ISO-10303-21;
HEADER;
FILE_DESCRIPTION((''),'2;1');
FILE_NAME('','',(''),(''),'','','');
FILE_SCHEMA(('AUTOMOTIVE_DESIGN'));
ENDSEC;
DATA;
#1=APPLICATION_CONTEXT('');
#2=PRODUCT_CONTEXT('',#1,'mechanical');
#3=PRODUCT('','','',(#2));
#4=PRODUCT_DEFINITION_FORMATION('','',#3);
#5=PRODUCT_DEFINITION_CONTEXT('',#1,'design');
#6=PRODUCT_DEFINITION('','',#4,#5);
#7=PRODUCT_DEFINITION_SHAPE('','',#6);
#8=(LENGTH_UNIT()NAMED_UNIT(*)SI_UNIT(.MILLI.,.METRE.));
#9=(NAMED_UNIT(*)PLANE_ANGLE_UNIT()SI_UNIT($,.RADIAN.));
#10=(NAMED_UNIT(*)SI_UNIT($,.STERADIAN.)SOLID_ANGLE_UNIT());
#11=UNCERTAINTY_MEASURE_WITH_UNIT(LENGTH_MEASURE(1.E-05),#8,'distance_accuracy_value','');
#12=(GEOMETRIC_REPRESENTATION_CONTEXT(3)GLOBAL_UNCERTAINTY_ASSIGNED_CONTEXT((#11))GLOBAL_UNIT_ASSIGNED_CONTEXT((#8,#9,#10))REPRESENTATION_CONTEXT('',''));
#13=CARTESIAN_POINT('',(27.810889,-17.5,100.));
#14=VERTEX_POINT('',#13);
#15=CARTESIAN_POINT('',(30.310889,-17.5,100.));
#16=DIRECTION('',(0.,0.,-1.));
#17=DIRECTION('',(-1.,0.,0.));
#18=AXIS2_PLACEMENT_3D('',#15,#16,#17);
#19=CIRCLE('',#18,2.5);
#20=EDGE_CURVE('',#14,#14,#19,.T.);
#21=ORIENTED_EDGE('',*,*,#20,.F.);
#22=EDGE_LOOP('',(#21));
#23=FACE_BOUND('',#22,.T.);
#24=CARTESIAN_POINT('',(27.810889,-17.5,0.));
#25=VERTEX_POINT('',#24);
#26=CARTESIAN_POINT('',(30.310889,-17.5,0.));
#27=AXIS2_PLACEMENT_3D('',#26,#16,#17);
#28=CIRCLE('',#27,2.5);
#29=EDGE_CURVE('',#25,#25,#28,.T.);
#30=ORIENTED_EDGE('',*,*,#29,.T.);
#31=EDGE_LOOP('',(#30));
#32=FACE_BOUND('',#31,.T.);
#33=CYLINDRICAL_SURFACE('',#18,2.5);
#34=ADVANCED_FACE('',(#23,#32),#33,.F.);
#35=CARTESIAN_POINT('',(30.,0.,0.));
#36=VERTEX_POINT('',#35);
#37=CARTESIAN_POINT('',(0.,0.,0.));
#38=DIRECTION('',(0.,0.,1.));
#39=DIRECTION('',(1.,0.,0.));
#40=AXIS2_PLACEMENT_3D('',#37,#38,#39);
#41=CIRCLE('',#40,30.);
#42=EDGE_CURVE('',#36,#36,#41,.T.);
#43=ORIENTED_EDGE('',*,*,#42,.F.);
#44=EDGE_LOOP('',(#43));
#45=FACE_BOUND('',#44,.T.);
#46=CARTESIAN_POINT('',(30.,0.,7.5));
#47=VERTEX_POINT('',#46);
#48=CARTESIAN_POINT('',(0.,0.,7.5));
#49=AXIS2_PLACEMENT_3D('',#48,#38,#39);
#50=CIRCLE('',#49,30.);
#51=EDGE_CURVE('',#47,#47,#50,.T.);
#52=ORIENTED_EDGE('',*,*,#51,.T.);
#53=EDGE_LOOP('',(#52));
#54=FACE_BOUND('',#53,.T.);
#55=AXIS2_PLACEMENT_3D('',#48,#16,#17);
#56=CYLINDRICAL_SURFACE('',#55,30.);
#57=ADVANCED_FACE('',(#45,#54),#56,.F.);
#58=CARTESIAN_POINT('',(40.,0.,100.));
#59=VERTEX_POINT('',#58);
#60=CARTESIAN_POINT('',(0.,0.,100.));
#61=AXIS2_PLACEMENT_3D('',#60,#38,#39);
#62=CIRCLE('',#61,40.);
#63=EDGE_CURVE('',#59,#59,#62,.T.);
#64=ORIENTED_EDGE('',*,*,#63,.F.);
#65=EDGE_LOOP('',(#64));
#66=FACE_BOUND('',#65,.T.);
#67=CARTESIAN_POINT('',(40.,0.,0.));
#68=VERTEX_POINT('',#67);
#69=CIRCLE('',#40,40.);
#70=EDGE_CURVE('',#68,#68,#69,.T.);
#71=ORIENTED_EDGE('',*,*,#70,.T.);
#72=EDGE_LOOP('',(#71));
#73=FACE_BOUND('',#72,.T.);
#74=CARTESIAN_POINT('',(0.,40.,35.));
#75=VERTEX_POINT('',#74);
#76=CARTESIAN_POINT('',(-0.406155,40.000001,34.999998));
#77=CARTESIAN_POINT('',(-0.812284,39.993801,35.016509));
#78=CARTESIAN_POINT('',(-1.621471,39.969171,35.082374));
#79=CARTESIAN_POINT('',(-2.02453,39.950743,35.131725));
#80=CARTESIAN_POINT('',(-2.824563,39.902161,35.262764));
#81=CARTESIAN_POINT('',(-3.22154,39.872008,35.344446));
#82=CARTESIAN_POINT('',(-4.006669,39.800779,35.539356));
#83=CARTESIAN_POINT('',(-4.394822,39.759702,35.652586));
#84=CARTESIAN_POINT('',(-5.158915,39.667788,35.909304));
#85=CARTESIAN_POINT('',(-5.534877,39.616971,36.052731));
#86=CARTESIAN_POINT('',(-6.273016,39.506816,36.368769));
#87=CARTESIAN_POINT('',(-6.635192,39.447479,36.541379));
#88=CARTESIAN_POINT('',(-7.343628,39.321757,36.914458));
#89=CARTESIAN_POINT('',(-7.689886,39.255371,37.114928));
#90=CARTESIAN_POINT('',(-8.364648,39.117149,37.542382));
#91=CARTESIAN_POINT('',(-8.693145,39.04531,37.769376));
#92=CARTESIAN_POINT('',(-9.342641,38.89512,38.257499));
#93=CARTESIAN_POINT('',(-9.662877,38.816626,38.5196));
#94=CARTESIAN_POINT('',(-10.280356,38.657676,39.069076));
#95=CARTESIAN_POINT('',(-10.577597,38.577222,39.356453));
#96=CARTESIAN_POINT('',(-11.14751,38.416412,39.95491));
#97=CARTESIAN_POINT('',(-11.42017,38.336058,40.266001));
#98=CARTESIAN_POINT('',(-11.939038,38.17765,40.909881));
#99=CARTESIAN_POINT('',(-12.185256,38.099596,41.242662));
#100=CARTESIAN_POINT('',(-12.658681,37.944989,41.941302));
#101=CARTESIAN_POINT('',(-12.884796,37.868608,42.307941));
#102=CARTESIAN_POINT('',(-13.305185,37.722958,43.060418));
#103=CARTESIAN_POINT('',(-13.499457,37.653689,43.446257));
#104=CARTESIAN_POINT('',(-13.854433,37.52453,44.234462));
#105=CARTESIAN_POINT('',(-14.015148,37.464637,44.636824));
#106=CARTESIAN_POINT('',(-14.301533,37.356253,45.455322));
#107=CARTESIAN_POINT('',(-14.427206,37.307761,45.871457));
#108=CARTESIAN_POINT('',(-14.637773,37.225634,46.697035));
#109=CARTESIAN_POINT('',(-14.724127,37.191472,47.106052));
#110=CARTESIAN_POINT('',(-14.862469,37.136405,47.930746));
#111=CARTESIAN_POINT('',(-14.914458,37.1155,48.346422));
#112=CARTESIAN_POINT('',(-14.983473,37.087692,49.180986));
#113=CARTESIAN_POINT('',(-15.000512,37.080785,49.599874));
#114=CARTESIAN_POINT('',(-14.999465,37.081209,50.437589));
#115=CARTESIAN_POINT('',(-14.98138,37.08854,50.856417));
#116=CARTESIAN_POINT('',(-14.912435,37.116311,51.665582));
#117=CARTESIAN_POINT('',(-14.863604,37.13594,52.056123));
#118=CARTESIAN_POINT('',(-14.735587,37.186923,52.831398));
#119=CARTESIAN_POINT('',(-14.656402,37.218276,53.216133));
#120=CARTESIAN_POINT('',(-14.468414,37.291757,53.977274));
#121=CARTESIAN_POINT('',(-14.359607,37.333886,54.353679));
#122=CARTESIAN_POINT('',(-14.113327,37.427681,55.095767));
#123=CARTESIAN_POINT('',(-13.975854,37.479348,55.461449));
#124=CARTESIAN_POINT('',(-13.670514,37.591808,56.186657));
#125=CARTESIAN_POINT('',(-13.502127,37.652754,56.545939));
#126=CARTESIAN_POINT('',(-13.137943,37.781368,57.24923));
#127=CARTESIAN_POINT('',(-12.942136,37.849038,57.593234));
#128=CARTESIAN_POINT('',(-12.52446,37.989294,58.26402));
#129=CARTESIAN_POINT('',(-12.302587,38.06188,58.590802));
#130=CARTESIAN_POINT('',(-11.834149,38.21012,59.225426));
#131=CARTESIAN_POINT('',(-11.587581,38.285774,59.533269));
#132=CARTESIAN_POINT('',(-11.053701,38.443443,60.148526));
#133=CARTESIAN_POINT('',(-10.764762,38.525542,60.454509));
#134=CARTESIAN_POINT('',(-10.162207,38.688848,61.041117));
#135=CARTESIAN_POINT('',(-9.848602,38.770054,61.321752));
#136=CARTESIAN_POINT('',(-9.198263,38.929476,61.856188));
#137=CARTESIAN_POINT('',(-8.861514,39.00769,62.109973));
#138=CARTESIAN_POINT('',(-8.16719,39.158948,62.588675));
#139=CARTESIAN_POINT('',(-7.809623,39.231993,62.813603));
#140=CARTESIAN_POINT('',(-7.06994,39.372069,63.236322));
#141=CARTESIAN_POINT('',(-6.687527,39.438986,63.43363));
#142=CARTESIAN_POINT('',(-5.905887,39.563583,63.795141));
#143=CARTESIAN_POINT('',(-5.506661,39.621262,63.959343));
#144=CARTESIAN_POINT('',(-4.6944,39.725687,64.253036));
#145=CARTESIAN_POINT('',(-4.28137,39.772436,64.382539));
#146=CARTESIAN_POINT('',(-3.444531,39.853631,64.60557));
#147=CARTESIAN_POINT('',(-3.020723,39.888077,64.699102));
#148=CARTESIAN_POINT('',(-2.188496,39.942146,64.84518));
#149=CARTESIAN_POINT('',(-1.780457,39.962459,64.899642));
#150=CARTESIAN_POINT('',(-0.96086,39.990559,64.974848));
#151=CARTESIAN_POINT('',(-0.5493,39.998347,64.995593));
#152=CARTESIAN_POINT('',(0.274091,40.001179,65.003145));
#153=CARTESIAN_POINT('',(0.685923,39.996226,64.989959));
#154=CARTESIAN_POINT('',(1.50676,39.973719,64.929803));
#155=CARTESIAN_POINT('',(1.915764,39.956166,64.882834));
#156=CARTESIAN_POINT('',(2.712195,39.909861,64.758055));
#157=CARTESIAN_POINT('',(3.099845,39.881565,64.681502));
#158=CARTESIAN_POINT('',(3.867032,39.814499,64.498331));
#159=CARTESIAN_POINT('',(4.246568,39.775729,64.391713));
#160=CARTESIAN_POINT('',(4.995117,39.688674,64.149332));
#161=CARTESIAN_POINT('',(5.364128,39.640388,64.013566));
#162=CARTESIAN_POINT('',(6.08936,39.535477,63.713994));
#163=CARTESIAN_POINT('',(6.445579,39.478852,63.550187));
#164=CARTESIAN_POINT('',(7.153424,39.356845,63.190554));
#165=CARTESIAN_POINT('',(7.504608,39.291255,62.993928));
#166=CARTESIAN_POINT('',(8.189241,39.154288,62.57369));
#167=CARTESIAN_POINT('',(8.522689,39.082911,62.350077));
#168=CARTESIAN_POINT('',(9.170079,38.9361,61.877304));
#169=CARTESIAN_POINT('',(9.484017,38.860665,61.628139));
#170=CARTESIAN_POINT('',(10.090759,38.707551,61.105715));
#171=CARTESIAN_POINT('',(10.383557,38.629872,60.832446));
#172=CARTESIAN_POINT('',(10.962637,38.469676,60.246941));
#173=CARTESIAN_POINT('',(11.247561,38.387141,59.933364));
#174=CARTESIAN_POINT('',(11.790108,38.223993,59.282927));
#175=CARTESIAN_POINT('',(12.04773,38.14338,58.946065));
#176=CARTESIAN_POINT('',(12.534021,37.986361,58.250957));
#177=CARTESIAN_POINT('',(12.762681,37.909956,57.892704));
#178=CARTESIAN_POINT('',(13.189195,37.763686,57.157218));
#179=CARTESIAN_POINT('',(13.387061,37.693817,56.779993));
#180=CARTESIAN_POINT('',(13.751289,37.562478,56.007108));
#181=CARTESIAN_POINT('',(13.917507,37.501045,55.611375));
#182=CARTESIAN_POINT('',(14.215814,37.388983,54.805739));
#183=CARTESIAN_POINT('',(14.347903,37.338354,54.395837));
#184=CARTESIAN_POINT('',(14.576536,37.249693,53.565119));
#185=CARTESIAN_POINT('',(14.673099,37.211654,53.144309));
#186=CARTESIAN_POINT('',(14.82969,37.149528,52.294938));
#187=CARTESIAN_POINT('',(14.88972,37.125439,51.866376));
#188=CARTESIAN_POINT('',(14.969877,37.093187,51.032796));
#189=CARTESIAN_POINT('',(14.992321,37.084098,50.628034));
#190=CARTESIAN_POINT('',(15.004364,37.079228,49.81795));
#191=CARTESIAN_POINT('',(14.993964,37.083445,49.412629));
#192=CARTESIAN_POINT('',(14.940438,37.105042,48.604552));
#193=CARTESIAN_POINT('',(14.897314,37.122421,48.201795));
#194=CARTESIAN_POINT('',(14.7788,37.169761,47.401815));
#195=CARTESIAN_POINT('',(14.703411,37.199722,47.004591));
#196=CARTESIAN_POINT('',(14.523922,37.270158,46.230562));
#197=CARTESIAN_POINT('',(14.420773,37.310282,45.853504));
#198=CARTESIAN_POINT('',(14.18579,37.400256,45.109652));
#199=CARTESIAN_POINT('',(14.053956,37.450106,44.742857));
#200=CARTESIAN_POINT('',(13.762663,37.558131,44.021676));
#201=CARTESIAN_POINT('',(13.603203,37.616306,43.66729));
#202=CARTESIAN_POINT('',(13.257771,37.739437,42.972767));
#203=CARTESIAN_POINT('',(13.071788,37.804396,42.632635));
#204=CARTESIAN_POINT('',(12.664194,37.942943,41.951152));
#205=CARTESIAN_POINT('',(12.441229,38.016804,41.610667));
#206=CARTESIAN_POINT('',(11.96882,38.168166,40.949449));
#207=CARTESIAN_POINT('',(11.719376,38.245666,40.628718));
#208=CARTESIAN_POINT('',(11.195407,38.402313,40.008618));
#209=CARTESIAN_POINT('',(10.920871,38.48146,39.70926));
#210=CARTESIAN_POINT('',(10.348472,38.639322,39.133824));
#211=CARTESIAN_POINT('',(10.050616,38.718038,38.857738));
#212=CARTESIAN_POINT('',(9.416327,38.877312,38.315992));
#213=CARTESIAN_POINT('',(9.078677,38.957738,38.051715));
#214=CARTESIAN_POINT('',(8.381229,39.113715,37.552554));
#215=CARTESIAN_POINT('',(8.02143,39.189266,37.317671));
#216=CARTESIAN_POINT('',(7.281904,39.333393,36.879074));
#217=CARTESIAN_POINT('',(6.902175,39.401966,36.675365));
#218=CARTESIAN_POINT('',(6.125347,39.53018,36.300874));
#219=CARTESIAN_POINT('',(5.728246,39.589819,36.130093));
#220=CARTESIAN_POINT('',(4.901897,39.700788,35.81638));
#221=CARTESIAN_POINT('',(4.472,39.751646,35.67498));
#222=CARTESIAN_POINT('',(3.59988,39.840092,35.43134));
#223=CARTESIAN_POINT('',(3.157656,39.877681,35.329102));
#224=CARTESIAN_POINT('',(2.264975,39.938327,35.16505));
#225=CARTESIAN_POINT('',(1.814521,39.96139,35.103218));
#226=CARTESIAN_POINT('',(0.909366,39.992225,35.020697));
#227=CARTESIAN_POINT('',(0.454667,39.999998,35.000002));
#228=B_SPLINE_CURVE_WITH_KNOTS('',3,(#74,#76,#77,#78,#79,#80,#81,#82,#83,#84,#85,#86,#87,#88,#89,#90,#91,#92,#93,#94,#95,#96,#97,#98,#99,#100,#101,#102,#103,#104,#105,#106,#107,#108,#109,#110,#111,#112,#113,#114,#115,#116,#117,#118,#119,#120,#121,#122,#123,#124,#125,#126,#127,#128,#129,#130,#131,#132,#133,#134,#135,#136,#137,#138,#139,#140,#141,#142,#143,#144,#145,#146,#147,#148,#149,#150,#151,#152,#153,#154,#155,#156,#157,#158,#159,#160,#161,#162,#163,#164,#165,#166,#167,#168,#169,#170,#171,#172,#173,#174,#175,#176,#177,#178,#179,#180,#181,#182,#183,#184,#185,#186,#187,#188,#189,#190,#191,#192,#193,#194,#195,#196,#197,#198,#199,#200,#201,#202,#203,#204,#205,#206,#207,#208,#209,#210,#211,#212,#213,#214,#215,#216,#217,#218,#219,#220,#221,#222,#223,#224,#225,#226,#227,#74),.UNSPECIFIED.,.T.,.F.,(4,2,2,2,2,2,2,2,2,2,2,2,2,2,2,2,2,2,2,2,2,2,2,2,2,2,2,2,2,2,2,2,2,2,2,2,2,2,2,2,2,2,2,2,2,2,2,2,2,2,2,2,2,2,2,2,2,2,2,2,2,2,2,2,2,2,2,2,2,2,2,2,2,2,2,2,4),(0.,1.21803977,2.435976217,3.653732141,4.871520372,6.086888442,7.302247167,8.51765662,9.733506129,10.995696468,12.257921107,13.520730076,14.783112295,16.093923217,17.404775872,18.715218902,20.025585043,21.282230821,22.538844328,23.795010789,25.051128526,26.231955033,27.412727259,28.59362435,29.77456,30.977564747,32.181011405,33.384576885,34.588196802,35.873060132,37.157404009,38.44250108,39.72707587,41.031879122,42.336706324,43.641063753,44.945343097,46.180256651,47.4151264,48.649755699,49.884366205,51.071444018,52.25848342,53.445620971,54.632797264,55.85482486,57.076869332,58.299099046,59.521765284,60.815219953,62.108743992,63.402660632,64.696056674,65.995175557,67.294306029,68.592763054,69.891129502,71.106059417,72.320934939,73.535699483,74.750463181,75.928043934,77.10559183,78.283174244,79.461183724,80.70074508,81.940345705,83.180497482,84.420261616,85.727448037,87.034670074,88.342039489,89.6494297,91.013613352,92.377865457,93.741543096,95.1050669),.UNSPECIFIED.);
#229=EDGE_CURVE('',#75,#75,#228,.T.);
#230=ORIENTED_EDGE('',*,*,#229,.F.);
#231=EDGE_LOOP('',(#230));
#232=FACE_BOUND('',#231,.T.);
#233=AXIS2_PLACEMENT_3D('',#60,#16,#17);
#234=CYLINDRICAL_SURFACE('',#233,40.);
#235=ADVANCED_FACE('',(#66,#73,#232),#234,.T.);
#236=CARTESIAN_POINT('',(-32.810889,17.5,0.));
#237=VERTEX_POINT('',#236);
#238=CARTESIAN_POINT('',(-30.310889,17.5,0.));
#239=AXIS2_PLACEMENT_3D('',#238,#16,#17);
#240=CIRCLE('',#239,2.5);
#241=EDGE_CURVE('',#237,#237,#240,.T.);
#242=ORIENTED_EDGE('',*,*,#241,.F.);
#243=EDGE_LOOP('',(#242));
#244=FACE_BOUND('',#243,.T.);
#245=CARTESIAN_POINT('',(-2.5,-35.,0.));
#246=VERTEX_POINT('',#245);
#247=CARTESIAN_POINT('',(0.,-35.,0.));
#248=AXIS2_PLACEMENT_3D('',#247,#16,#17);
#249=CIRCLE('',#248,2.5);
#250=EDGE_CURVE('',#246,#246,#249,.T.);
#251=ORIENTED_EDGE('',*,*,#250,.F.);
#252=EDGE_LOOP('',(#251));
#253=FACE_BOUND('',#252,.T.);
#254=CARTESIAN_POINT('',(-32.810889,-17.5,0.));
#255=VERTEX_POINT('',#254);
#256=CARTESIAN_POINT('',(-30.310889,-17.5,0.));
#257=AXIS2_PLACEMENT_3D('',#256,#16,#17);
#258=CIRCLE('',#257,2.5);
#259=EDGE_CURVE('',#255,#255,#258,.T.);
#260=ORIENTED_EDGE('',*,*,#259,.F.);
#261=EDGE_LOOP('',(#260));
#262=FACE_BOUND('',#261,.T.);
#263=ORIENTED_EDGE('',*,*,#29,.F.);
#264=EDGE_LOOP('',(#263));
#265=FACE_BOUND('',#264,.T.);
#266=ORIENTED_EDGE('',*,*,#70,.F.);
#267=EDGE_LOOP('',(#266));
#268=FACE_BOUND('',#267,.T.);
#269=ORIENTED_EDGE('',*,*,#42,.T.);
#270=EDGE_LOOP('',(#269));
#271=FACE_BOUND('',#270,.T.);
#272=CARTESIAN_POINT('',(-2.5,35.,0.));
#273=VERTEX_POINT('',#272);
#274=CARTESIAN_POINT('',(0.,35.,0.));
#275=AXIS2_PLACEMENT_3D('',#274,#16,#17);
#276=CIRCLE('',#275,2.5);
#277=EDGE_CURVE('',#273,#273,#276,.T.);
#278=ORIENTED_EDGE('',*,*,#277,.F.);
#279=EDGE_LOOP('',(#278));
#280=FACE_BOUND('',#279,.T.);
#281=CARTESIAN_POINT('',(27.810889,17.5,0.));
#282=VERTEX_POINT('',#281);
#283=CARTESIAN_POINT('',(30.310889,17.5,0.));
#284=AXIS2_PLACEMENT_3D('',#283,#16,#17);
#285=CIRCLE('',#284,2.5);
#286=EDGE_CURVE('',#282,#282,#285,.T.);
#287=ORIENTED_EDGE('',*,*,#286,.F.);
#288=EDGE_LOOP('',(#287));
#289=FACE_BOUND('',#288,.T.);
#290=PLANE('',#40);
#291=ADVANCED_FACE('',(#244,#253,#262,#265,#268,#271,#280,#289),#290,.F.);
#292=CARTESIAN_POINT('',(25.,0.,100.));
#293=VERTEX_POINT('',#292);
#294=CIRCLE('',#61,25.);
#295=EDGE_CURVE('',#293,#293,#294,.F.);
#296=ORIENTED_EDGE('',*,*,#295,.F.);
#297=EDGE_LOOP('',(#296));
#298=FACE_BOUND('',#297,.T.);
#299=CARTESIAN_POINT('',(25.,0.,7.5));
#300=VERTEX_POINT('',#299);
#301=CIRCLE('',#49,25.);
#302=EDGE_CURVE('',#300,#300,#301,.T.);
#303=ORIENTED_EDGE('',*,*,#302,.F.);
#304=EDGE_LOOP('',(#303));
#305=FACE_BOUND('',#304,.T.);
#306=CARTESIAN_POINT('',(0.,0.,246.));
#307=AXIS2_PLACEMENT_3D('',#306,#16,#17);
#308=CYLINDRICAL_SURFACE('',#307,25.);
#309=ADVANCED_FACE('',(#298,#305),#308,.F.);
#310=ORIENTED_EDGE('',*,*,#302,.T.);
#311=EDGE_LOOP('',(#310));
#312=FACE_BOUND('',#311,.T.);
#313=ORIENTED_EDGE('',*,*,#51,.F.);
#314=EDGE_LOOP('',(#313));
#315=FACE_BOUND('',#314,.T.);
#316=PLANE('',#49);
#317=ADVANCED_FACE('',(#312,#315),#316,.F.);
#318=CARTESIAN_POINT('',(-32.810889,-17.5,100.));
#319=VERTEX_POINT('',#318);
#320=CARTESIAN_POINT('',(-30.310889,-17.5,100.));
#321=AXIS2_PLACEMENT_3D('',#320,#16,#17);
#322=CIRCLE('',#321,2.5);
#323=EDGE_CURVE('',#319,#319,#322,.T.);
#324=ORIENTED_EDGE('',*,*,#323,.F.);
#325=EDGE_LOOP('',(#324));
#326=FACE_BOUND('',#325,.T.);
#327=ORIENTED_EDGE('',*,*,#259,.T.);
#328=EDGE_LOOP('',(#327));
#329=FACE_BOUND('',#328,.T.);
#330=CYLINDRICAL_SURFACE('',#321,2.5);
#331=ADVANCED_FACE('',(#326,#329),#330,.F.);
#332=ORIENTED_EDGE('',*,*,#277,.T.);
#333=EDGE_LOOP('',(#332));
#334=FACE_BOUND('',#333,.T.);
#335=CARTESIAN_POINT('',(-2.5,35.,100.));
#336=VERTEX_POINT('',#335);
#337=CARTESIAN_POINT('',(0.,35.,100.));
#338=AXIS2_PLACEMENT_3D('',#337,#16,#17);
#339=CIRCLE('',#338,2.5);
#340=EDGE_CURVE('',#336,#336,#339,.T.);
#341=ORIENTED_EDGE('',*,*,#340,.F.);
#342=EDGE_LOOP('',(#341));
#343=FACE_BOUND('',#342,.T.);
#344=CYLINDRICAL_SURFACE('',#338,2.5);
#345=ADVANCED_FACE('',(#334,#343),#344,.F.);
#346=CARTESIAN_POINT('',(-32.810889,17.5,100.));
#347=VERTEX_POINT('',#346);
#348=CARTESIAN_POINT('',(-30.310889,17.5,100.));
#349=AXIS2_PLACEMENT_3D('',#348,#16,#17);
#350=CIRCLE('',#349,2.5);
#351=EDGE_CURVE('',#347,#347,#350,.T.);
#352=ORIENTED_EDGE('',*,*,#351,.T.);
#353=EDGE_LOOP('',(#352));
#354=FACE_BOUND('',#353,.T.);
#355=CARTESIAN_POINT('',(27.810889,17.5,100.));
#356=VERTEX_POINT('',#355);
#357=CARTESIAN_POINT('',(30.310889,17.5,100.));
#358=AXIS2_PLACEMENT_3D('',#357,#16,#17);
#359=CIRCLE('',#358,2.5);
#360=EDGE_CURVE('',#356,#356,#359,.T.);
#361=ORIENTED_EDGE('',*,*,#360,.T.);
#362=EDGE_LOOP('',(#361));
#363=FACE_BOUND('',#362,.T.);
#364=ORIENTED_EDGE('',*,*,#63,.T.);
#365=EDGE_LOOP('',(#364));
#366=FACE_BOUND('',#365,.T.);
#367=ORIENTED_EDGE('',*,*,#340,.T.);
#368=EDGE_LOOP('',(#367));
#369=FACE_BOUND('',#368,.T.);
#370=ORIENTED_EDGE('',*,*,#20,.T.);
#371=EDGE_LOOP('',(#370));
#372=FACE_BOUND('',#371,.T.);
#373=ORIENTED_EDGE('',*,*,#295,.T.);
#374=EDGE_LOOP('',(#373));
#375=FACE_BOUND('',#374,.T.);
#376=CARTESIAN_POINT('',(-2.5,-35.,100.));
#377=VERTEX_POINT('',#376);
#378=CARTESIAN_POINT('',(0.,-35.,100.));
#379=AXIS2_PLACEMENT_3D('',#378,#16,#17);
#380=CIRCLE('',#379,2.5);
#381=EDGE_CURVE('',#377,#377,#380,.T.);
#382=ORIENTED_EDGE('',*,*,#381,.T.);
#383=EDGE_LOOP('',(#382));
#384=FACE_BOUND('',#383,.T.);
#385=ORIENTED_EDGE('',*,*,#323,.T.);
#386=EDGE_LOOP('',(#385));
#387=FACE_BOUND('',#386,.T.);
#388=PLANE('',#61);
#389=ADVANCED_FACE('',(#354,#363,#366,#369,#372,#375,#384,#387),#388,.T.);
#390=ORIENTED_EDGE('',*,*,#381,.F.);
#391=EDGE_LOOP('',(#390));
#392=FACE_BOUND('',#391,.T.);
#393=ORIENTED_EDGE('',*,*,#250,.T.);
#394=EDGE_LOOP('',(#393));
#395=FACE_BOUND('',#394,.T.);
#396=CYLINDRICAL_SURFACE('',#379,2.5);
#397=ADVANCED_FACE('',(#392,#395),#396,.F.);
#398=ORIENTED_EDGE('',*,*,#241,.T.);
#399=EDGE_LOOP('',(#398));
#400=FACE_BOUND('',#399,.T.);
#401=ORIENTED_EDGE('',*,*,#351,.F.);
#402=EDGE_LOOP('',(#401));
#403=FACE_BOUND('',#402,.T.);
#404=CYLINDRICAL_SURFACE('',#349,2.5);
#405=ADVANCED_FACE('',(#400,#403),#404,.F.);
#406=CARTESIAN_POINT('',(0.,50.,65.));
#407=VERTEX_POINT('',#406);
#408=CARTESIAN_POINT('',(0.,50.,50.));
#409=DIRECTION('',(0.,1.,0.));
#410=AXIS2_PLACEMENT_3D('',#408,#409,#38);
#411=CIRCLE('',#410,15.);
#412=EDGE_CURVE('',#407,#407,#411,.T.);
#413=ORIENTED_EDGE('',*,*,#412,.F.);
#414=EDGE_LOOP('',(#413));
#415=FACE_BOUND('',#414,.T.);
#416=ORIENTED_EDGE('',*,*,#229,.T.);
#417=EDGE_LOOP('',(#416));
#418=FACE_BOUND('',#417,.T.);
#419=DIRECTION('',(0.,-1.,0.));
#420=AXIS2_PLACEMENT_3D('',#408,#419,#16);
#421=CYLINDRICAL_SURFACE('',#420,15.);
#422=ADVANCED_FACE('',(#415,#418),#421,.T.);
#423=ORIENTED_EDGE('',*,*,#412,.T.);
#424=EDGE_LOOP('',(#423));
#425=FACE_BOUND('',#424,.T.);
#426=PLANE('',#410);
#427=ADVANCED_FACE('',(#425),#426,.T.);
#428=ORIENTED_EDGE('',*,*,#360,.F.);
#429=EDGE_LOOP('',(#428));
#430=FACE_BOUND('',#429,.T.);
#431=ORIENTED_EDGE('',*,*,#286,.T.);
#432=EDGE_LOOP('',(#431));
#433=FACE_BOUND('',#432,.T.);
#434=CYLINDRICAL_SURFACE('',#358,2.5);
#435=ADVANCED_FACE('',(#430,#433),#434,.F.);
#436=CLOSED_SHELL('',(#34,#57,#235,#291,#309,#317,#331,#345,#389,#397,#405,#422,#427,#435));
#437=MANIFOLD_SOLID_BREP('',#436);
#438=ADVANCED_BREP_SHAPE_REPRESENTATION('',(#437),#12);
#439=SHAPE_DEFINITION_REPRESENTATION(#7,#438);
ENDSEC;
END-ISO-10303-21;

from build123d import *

# Parameters (mm, degrees)
SKETCH1_R              = 40
BODY_DEPTH             = 100
SKETCH3_R              = 25
MOTOR_CASING_DEPTH     = 246
SKETCH4_R              = 30
SLEW_BEARING_LIP_DEPTH = 7.5
BASE_START             = 30
SKETCH6_R              = 15
BASE_DEPTH             = 20
SKETCH5_R              = 2.5
SCREW_HOLES_DEPTH      = 119.74342103


with BuildPart() as part:
    # Sketch1 → body (new body)
    with BuildSketch(Plane.XY):
        Circle(SKETCH1_R)
    extrude(amount=BODY_DEPTH)

    # Sketch3 → motor casing (cut)
    with BuildSketch(Plane.XY):
        Circle(SKETCH3_R)
    extrude(amount=MOTOR_CASING_DEPTH, mode=Mode.SUBTRACT)

    # Sketch4 → slew bearing lip (cut)
    with BuildSketch(Plane.XY):
        Circle(SKETCH4_R)
    extrude(amount=SLEW_BEARING_LIP_DEPTH, mode=Mode.SUBTRACT)

    # Sketch6 → base (add)
    with BuildSketch(Plane(origin=(0, 0, 0), x_dir=(1, 0, 0), z_dir=(0, 1, 0)).offset(BASE_START)):
        with Locations(Location((0, -50, 0), (0, 0, 90))):
            Circle(SKETCH6_R)
    extrude(amount=BASE_DEPTH)

    # Sketch5 → screw holes (cut, through all)
    with BuildSketch(Plane(origin=(0, 0, 0), x_dir=(-1, 0, 0), z_dir=(0, 0, -1))):
        with Locations((0, 35)):
            Circle(SKETCH5_R)
        with Locations((30.310889132, 17.5)):
            Circle(SKETCH5_R)
        with Locations((30.310889132, -17.5)):
            Circle(SKETCH5_R)
        with Locations((0, -35)):
            Circle(SKETCH5_R)
        with Locations((-30.310889132, -17.5)):
            Circle(SKETCH5_R)
        with Locations((-30.310889132, 17.5)):
            Circle(SKETCH5_R)
    extrude(amount=-SCREW_HOLES_DEPTH, mode=Mode.SUBTRACT)


solid = part.part
